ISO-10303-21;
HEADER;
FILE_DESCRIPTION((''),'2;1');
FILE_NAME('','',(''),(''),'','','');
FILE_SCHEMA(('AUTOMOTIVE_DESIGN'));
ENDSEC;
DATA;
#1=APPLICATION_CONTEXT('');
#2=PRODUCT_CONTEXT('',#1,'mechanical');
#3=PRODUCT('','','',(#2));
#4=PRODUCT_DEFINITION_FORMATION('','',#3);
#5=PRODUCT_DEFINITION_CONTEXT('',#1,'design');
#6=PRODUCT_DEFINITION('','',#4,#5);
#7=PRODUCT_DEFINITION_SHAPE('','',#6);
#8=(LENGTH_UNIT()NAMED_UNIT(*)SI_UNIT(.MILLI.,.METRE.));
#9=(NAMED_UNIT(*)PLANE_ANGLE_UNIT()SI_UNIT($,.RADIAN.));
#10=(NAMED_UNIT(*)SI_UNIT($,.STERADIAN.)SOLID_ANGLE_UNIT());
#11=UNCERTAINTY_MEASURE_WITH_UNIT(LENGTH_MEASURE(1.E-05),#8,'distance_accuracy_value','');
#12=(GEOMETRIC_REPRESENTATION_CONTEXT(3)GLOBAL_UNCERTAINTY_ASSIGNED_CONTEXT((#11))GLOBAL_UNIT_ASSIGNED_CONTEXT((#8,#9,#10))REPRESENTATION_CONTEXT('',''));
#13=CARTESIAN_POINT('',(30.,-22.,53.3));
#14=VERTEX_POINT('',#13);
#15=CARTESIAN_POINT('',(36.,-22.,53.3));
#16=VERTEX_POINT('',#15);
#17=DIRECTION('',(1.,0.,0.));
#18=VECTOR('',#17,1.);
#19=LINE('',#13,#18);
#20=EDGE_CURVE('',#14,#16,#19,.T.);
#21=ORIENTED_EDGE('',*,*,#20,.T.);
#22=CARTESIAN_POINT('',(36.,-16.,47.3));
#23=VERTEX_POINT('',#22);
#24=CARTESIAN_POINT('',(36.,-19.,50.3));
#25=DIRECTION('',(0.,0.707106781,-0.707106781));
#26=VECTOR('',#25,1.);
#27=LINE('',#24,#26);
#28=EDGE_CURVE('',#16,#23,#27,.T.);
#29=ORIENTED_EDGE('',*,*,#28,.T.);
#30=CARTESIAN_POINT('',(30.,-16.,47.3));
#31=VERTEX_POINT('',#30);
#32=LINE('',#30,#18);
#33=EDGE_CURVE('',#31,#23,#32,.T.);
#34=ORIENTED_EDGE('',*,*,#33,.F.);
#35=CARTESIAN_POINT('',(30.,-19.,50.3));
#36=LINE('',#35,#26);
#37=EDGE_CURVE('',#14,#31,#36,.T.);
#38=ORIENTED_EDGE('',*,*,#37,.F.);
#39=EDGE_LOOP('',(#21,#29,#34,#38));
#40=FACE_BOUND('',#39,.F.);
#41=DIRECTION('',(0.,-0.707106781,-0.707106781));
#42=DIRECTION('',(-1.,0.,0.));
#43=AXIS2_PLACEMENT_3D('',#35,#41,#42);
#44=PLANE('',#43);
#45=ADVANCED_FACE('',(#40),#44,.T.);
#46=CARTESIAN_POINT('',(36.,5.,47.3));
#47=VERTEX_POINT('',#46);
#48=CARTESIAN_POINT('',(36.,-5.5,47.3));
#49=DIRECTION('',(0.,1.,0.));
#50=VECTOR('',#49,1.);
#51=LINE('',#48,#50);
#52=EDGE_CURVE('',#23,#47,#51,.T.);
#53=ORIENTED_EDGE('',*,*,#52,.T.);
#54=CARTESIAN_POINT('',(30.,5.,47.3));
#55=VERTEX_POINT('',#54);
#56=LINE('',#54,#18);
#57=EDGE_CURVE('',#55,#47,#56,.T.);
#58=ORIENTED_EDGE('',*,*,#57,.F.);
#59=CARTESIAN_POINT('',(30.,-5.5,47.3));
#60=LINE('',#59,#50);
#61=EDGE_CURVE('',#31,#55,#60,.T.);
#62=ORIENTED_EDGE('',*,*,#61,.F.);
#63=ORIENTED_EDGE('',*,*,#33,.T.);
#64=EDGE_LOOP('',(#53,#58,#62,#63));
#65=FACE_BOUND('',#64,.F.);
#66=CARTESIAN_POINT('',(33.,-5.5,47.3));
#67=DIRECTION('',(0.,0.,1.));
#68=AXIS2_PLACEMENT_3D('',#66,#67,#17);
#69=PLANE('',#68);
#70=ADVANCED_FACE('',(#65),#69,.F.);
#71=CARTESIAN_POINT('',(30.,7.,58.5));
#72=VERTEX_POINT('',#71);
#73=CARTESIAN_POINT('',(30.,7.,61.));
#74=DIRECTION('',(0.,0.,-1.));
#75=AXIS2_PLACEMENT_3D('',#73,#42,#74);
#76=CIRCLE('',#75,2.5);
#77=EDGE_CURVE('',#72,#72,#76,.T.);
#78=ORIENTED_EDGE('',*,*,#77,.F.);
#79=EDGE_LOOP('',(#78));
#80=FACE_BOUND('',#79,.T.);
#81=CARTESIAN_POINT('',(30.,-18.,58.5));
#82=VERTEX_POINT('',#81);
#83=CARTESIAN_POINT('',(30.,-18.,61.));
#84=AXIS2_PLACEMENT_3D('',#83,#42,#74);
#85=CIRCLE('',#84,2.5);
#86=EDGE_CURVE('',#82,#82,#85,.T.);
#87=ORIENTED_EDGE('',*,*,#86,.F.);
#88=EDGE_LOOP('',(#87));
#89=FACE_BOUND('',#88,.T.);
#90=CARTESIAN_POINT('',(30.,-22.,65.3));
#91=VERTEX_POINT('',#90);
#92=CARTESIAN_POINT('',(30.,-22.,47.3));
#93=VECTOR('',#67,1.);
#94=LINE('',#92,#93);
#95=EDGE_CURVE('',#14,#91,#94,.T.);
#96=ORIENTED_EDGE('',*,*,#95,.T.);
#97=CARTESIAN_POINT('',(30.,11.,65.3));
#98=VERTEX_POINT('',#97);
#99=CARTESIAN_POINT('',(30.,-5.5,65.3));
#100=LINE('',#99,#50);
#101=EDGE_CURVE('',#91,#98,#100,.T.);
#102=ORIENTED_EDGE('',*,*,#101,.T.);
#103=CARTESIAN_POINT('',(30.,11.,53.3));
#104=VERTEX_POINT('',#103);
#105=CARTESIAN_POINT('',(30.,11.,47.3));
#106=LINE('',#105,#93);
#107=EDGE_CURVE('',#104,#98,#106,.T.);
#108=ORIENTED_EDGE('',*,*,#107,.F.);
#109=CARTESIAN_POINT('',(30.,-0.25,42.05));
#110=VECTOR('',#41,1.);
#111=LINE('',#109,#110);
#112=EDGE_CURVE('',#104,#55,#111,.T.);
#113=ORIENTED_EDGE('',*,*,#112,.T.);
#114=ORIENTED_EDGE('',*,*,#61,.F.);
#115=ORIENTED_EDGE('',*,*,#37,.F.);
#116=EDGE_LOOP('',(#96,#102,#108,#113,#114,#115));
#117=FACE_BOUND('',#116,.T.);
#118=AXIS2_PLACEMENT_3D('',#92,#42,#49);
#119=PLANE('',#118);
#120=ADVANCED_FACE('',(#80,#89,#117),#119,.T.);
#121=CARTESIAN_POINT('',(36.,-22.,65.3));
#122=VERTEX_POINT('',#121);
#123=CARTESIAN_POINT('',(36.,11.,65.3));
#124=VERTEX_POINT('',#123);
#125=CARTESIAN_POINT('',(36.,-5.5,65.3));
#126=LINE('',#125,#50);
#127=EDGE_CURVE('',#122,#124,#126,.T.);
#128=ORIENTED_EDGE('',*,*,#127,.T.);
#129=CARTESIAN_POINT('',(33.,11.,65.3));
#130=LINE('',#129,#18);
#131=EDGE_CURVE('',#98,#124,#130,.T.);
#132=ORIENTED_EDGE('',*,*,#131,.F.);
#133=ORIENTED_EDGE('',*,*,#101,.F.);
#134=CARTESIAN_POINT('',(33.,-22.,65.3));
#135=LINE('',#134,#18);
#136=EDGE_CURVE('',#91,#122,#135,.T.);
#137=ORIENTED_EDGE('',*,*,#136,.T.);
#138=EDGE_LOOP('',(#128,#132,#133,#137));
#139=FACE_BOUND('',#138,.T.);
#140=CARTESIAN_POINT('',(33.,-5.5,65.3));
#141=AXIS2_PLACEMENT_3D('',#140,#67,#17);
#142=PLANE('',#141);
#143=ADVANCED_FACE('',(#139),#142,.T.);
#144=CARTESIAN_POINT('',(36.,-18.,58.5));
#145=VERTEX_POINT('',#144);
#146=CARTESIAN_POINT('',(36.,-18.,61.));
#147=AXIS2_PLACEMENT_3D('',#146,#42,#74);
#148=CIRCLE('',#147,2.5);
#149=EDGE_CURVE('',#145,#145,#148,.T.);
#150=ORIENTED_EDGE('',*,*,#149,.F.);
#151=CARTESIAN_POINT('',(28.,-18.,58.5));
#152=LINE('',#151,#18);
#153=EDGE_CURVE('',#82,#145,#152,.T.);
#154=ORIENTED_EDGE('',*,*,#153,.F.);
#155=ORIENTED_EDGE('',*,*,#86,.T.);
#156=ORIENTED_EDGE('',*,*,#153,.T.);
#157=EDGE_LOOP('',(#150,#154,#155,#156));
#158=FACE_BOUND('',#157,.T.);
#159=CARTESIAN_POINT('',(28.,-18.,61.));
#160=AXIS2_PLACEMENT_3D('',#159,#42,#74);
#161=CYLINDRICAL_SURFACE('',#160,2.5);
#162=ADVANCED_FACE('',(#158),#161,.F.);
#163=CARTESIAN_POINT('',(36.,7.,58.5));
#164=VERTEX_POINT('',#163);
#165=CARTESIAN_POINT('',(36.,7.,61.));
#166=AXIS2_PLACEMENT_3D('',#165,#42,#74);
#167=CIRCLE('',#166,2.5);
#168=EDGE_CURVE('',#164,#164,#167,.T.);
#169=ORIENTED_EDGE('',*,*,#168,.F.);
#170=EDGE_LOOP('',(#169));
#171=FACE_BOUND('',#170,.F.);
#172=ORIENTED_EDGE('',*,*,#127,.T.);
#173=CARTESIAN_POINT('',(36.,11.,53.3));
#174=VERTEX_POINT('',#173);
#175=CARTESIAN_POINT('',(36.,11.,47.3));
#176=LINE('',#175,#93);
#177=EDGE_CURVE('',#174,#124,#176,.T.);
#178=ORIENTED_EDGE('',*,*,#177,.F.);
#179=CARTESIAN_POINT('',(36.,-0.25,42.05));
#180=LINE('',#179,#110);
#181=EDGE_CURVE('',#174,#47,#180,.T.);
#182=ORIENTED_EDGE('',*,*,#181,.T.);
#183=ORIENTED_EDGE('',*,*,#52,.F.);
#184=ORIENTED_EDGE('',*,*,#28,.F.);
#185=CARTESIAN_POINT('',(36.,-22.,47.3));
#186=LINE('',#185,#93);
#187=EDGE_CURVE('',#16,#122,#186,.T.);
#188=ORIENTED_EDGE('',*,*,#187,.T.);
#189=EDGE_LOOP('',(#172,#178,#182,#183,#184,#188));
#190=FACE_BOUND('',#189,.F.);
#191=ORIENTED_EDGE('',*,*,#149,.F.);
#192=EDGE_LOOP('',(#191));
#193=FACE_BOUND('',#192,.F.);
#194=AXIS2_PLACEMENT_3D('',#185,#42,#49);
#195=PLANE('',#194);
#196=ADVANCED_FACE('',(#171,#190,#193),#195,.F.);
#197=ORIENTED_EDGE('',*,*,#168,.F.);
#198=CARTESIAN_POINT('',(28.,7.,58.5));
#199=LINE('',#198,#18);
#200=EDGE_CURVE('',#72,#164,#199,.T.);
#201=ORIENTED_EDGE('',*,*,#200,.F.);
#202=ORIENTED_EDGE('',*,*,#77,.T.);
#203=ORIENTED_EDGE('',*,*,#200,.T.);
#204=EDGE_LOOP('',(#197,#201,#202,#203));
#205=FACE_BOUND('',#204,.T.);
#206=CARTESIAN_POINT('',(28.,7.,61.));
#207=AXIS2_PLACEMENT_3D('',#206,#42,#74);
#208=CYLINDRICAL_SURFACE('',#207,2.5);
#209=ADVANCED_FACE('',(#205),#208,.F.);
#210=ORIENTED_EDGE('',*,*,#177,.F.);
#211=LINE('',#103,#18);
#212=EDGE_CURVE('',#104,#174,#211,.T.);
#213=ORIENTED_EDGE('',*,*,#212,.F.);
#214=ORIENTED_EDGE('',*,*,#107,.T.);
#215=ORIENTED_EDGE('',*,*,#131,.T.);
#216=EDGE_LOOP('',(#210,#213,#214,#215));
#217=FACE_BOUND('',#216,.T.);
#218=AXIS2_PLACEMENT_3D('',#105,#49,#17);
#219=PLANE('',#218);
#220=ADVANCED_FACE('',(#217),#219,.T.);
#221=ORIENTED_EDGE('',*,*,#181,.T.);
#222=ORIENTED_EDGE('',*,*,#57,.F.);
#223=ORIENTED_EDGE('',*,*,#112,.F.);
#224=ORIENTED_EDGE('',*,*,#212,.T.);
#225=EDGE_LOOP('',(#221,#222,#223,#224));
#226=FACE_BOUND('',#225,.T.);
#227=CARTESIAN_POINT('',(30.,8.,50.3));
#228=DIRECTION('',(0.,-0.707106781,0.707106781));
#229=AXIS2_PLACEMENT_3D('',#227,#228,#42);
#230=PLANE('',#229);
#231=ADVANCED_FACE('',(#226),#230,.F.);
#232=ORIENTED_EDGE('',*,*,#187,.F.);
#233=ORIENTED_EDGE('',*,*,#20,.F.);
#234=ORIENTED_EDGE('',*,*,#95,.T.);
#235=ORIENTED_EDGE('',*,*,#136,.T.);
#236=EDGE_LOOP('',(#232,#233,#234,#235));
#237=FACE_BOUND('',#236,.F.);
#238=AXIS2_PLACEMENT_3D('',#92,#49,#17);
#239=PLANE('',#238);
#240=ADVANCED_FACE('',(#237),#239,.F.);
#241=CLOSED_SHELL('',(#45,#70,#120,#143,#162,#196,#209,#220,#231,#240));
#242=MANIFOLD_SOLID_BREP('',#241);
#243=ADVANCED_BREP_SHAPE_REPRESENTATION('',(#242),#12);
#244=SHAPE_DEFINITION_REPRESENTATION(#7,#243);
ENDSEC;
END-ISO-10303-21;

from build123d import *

# Parameters (mm, degrees)
CYLINDER_R              = 2.5
CYLINDER_DEPTH          = 10
CYLINDER_PITCH_ANGLE    = 90
CYLINDER001_R           = 2.5
CYLINDER001_DEPTH       = 10
CYLINDER001_PITCH_ANGLE = 90
BOX_W                   = 6
BOX_H                   = 33
BOX_DEPTH               = 18
CHAMFER_SIZE            = 6


with BuildPart() as cilindro:
    # Cylinder → Cylinder (new body)
    with BuildSketch(Plane.XY):
        Circle(CYLINDER_R)
    extrude(amount=CYLINDER_DEPTH)


with BuildPart() as cilindro_1:
    # Cylinder pitch: moved
    add(cilindro.part.rotate(Axis((0, 0, 0), (0, 1, 0)), CYLINDER_PITCH_ANGLE))


with BuildPart() as cilindro_2:
    # Cylinder placement: moved
    add(cilindro_1.part.moved(Location((28, 7, 61))))


with BuildPart() as fusion:
    # Cylinder001 → Cylinder001 (new body)
    with BuildSketch(Plane.XY):
        Circle(CYLINDER001_R)
    extrude(amount=CYLINDER001_DEPTH)


with BuildPart() as fusion_1:
    # Cylinder001 pitch: moved
    add(fusion.part.rotate(Axis((0, 0, 0), (0, 1, 0)), CYLINDER001_PITCH_ANGLE))


with BuildPart() as fusion_2:
    # Cylinder001 placement: moved
    add(fusion_1.part.moved(Location((28, -18, 61))))

    # Fusion: union Cilindro
    add(cilindro_2.part)


with BuildPart() as soporte_leds:
    # Box → Box (new body)
    with BuildSketch(Plane(origin=(30, -22, 47.3), x_dir=(1, 0, 0), z_dir=(0, 0, 1))):
        with Locations((3, 16.5)):
            Rectangle(BOX_W, BOX_H)
    extrude(amount=BOX_DEPTH)

    # Chamfer
    chamfer_edges = [soporte_leds.edges().sort_by_distance(p)[0] for p in [
        (33, -22, 47.3),
        (33, 11, 47.3),
    ]]
    chamfer(chamfer_edges, length=CHAMFER_SIZE)

    # Cut: cut Fusion
    add(fusion_2.part, mode=Mode.SUBTRACT)


solid = soporte_leds.part
